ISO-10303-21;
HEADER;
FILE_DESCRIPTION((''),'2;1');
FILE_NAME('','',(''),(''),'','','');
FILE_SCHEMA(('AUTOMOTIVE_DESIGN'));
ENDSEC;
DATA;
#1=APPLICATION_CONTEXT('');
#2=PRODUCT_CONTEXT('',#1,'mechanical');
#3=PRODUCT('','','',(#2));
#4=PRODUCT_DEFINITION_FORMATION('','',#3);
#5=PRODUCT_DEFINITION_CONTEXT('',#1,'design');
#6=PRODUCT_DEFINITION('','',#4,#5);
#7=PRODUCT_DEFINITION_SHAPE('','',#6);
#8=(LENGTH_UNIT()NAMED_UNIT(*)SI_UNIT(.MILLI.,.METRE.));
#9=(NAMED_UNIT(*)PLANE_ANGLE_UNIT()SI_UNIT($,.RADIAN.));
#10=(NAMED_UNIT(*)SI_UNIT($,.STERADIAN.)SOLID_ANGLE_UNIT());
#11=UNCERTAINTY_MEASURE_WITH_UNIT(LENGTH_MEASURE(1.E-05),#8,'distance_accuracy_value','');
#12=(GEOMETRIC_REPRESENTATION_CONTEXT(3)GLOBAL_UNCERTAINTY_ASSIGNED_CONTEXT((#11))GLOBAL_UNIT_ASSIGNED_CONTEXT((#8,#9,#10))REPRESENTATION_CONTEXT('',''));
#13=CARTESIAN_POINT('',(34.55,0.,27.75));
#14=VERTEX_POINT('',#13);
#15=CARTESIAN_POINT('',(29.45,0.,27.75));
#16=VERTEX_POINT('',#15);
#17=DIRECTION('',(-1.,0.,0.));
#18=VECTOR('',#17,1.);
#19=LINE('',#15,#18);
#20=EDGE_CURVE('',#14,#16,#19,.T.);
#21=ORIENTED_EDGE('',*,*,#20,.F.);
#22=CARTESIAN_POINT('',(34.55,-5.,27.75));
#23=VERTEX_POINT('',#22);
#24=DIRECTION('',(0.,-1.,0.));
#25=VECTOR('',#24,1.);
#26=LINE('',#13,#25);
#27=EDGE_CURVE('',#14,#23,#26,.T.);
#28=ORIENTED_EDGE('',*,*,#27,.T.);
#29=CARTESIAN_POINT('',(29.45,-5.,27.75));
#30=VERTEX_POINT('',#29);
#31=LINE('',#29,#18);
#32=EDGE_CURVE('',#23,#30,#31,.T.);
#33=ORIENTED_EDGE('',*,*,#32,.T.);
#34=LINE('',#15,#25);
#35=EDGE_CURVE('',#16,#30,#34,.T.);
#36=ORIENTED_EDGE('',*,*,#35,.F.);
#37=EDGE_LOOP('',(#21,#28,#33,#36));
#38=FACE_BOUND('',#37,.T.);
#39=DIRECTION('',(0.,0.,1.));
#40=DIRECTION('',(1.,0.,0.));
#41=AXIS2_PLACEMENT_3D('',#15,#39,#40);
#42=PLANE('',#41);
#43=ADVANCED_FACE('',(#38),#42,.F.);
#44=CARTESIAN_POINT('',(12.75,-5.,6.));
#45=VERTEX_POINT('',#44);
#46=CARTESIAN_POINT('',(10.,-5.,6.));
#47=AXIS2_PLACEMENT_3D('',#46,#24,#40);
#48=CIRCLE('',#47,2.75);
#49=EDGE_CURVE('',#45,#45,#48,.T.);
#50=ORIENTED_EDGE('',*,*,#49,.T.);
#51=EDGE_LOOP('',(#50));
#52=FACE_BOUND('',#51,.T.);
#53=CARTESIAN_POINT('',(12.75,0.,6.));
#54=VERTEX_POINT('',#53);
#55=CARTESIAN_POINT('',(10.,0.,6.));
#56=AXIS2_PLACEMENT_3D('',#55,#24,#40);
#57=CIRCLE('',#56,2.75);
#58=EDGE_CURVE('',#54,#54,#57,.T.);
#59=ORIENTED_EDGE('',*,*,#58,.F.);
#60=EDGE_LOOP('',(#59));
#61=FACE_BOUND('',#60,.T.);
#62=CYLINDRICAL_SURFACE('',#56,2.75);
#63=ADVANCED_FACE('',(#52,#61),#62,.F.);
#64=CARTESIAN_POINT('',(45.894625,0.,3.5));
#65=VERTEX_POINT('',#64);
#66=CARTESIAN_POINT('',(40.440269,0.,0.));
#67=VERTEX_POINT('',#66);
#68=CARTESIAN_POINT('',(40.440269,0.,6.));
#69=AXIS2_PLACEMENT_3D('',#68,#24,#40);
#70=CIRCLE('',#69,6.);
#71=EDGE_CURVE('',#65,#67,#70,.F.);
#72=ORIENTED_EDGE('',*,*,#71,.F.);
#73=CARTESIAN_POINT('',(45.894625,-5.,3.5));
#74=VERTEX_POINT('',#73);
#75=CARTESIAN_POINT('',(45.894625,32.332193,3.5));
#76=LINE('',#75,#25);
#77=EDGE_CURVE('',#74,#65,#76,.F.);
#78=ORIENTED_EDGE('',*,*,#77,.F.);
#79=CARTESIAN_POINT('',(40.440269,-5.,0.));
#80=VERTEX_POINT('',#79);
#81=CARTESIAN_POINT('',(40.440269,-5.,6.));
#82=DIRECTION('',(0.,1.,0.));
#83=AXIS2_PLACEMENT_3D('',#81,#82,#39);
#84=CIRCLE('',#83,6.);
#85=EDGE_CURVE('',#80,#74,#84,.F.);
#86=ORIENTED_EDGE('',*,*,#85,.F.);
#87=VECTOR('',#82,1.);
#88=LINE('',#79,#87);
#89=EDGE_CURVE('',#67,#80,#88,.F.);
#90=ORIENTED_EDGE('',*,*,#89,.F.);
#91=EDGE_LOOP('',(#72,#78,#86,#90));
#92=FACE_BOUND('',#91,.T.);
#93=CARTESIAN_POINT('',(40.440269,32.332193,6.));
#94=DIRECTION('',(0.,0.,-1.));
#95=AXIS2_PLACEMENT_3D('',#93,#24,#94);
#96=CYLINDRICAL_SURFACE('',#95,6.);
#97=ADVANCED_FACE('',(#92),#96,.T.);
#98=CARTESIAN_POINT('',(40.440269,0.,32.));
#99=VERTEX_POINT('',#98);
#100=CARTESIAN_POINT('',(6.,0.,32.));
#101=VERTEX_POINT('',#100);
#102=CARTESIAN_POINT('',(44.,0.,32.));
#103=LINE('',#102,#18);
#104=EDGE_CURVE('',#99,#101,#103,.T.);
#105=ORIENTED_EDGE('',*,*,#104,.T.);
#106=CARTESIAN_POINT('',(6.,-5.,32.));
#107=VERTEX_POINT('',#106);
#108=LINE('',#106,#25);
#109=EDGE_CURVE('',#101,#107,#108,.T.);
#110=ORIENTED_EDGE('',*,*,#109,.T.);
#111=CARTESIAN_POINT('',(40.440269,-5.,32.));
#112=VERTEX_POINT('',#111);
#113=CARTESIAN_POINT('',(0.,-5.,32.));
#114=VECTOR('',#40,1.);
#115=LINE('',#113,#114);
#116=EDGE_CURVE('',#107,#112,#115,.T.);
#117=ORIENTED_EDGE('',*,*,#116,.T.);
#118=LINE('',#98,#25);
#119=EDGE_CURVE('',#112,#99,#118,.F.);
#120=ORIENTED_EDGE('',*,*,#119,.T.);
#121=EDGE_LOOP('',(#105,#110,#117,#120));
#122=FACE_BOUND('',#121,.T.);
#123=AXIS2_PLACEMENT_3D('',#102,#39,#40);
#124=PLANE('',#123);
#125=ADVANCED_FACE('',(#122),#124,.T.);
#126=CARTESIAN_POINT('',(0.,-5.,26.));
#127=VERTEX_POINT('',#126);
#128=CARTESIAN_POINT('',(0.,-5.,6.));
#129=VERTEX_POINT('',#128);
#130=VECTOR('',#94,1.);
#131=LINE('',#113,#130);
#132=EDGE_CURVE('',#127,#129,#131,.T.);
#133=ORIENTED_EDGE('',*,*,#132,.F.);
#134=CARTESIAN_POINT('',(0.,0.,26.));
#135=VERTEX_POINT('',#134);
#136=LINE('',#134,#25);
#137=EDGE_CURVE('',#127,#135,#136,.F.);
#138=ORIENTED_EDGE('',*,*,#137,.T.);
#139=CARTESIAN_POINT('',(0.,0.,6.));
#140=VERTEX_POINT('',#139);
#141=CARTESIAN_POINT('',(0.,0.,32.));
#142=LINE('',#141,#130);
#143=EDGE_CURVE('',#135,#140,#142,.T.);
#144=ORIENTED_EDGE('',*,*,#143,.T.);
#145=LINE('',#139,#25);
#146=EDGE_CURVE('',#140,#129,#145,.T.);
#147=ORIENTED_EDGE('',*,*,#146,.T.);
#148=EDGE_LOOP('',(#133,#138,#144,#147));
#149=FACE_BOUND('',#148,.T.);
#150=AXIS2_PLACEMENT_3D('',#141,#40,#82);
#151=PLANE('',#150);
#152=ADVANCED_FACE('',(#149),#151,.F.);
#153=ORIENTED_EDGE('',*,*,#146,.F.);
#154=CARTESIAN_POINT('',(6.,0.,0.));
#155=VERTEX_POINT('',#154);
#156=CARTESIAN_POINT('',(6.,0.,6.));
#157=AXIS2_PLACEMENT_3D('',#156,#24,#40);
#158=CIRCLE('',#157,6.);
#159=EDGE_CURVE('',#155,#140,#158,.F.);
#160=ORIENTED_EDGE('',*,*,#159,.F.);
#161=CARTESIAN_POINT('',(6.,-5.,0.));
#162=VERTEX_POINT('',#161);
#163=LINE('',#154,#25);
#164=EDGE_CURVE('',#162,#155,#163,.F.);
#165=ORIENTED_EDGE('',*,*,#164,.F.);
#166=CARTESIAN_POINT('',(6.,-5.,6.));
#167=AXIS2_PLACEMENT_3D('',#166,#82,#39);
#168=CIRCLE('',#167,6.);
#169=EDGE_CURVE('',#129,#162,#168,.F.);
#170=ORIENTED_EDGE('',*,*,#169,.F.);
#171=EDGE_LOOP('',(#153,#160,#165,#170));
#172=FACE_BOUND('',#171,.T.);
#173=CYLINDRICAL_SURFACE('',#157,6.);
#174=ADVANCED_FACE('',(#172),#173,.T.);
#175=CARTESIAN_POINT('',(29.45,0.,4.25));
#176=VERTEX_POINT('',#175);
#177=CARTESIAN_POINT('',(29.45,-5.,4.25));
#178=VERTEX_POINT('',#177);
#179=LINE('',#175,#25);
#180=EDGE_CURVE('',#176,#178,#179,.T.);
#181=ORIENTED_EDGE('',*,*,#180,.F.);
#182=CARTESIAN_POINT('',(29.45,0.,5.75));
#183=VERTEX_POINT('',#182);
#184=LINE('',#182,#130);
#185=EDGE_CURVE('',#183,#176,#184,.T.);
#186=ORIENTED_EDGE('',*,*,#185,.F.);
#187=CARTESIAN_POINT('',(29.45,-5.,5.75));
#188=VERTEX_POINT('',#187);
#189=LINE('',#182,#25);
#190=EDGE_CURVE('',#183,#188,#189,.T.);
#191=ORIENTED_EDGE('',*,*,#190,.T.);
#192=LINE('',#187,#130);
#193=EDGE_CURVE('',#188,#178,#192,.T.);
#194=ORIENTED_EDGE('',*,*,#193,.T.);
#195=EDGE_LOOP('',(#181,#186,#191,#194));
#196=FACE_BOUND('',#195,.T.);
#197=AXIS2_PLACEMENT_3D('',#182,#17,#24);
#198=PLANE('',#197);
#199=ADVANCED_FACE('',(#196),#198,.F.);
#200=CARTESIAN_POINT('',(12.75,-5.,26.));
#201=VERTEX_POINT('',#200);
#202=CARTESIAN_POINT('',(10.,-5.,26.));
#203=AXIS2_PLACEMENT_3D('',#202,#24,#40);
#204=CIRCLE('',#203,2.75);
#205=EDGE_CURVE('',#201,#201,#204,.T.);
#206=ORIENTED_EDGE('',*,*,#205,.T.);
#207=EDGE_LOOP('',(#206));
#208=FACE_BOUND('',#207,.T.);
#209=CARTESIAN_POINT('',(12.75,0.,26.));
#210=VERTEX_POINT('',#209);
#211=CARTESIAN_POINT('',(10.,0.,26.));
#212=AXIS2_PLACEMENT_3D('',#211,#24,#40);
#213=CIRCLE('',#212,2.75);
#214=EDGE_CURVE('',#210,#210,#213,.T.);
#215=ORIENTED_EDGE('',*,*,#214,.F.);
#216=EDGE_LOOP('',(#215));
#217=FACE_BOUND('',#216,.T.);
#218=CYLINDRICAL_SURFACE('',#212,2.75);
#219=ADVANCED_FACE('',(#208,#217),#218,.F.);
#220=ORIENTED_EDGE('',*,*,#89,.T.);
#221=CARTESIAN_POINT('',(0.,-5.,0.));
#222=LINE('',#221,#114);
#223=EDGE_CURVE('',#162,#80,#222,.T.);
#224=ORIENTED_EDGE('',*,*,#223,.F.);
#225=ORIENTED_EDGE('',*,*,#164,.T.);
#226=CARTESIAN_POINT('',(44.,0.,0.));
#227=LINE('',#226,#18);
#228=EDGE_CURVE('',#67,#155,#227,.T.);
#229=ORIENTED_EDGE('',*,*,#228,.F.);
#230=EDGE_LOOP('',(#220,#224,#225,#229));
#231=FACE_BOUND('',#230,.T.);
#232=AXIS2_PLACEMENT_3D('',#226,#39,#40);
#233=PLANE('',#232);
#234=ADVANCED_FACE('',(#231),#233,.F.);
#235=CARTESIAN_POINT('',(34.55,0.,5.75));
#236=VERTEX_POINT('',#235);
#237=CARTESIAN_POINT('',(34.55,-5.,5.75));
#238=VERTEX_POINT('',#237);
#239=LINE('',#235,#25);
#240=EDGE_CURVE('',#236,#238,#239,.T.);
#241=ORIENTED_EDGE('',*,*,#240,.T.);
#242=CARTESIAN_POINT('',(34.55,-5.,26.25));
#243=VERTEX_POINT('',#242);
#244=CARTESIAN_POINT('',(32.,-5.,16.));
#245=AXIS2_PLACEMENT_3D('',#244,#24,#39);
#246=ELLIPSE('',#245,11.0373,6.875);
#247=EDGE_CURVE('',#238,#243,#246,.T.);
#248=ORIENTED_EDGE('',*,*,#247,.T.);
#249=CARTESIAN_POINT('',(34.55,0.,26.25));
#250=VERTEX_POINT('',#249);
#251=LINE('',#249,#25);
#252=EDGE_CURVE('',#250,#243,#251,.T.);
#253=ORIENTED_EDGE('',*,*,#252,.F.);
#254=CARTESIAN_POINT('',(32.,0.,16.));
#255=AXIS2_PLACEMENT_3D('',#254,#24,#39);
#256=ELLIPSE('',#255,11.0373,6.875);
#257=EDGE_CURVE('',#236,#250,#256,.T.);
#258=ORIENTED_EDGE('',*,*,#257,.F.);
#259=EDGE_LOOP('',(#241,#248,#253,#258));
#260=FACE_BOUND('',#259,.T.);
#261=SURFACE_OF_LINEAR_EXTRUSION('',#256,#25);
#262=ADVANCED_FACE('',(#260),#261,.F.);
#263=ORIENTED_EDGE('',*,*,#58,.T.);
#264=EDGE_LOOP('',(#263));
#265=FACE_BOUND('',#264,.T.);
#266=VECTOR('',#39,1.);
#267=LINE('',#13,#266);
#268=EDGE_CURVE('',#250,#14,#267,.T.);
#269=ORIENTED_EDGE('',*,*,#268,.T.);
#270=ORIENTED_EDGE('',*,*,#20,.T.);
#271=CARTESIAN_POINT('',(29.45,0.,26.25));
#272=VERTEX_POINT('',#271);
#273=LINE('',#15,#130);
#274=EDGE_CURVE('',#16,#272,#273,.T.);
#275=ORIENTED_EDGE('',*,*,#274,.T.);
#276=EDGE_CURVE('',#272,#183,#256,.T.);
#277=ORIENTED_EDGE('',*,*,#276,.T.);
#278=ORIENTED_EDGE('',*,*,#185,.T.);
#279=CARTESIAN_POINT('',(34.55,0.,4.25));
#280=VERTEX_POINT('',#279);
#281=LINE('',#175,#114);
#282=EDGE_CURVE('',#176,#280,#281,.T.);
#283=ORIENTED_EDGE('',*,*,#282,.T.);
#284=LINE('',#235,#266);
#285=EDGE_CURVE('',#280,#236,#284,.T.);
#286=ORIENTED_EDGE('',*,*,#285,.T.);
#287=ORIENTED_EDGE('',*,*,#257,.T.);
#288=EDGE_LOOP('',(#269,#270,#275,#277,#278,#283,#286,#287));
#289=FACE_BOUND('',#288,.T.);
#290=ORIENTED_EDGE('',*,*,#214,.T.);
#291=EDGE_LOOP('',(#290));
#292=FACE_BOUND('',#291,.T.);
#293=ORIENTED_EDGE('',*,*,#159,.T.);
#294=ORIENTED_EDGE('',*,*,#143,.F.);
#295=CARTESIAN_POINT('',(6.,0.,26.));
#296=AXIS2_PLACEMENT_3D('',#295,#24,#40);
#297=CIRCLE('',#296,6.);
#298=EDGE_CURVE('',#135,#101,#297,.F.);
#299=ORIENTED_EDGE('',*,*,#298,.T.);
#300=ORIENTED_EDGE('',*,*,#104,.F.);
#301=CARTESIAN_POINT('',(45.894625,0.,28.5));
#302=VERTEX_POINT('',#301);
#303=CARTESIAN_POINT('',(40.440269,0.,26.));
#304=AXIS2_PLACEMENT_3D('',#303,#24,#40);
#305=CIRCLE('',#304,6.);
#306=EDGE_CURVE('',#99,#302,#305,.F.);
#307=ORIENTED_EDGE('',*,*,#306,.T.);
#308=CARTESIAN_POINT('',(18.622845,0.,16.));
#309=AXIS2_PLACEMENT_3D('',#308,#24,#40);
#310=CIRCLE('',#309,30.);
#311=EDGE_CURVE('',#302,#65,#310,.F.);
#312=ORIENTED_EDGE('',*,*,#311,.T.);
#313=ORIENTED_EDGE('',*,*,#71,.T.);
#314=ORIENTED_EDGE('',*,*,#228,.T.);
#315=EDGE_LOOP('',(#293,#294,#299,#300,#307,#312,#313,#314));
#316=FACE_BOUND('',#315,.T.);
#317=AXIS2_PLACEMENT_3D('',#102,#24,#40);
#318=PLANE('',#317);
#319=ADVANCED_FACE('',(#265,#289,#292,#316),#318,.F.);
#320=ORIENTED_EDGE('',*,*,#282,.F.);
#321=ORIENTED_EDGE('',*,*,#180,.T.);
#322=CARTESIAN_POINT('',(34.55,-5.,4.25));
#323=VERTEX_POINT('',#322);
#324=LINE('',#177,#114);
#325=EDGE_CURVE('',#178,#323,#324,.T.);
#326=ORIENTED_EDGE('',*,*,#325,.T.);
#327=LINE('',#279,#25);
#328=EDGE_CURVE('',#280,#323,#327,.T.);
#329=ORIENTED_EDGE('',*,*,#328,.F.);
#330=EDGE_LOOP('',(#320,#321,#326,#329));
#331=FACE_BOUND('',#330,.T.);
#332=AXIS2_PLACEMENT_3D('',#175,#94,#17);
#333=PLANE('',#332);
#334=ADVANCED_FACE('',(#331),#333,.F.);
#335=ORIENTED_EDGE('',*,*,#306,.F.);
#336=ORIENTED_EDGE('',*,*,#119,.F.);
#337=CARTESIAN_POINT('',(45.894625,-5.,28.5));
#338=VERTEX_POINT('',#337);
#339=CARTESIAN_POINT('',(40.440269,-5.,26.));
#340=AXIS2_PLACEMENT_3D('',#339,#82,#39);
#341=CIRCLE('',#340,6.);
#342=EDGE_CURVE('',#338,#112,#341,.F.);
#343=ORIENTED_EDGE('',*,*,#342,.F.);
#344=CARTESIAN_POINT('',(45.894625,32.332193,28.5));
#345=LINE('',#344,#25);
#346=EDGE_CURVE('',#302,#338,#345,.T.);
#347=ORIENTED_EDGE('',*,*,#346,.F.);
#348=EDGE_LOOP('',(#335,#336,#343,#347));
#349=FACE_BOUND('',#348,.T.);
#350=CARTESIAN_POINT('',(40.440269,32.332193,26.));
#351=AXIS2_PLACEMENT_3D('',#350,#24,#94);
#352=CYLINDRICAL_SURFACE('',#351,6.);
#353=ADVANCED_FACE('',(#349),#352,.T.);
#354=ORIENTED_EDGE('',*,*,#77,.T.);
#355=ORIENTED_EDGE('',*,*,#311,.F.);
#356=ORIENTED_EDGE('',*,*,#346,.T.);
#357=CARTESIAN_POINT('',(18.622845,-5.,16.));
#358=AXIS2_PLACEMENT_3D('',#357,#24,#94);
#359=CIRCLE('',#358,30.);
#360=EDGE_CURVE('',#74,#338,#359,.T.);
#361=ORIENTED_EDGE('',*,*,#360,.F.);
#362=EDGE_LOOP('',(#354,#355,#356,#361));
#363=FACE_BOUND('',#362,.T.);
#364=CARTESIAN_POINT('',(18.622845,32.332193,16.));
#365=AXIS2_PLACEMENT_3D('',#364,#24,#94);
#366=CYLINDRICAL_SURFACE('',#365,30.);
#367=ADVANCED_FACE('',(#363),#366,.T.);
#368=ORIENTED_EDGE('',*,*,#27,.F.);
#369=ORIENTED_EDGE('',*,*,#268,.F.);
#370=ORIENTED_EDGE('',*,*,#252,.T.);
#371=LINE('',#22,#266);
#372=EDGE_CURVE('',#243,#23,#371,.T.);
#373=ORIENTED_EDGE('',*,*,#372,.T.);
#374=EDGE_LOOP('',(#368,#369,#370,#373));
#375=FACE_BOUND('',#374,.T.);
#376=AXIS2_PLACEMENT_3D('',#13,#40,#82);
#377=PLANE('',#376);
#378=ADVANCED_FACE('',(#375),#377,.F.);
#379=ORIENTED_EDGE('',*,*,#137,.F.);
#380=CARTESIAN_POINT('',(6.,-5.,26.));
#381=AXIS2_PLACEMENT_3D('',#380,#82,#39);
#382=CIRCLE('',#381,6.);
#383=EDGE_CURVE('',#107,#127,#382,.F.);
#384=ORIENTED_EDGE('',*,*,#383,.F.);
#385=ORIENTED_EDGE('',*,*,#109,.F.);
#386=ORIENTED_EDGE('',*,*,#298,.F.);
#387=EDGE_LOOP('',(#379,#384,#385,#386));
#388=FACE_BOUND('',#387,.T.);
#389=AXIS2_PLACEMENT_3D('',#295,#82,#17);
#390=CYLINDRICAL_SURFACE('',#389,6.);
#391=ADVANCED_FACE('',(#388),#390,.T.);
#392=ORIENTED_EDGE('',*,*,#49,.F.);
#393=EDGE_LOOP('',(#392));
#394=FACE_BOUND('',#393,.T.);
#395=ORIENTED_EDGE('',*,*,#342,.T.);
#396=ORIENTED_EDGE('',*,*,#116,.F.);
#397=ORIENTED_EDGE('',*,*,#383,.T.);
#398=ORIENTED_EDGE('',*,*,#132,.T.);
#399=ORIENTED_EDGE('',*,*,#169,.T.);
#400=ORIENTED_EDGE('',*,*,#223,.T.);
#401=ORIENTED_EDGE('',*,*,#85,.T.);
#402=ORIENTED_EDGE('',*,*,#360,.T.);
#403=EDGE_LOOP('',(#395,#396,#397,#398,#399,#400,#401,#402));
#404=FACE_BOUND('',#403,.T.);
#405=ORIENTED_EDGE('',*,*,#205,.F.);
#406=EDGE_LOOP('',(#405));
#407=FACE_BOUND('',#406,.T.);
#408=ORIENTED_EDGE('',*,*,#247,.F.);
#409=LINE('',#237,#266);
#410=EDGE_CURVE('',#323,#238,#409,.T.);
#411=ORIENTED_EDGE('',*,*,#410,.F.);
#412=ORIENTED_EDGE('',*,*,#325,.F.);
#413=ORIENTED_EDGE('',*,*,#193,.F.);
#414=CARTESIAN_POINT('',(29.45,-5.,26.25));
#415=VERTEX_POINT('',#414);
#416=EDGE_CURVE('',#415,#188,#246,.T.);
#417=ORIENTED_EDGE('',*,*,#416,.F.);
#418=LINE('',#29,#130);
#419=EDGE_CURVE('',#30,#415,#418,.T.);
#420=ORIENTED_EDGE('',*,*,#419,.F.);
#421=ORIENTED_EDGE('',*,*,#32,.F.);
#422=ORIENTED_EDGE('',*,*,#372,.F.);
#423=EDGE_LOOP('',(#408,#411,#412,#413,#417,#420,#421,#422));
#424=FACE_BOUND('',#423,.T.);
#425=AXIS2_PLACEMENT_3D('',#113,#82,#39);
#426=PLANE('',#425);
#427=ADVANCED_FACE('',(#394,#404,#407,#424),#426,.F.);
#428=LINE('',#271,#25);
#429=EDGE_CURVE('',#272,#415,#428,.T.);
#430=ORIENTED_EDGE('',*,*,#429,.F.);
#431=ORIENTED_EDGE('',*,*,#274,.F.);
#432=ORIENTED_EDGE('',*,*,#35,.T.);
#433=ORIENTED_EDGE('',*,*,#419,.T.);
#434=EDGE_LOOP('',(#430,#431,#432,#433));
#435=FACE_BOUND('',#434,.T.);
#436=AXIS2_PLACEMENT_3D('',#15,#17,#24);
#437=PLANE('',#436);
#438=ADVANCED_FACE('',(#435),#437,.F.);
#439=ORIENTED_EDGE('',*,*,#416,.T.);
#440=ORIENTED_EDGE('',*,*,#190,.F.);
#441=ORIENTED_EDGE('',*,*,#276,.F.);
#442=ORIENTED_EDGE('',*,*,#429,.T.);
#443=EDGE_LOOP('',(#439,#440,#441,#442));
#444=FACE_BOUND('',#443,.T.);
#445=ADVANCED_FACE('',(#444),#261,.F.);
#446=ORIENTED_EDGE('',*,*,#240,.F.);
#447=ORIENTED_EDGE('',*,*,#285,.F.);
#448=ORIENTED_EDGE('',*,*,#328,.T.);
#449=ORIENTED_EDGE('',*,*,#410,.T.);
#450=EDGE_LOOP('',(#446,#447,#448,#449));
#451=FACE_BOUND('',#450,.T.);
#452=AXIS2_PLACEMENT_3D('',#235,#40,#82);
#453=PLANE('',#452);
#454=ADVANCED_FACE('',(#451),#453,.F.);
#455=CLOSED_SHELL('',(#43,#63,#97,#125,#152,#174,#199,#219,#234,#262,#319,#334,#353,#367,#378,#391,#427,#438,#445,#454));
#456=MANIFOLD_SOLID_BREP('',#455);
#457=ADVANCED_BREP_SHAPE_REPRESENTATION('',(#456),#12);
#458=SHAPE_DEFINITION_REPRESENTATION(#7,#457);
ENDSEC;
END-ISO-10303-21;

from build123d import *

# Parameters (mm, degrees)
SKETCH1_W           = 44
SKETCH1_H           = 5
BOSS_EXTRUDE1_DEPTH = 32
SKETCH2_R           = 2.75
CUT_EXTRUDE1_DEPTH  = 6
BOSS_EXTRUDE2_DEPTH = 5
FILLET1_R           = 6


with BuildPart() as part:
    # Sketch1 → Boss-Extrude1 (new body)
    with BuildSketch(Plane.XY):
        with Locations((22, -2.5)):
            Rectangle(SKETCH1_W, SKETCH1_H)
    extrude(amount=BOSS_EXTRUDE1_DEPTH)

    # Sketch2 → Cut-Extrude1 (cut, through all)
    with BuildSketch(Plane.XZ.offset(5)):
        with Locations((10, 26)):
            Circle(SKETCH2_R)
        with Locations((10, 6)):
            Circle(SKETCH2_R)
        with BuildLine():
            Line((29.45, 5.75), (29.45, 4.25))
            Line((29.45, 4.25), (34.55, 4.25))
            Line((34.55, 4.25), (34.55, 5.75))
            add(Edge.make_bspline(
                [(34.55, 5.75), (50.535539216, 16), (34.55, 26.25)],
                knots=[3.521580401, 3.521580401, 3.521580401, 5.90319756, 5.90319756, 5.90319756], degree=2, weights=[1, 0.370909091, 1]))
            Line((34.55, 26.25), (34.55, 27.75))
            Line((34.55, 27.75), (29.45, 27.75))
            Line((29.45, 27.75), (29.45, 26.25))
            add(Edge.make_bspline(
                [(29.45, 26.25), (13.464460784, 16), (29.45, 5.75)],
                knots=[0.379987747, 0.379987747, 0.379987747, 2.761604906, 2.761604906, 2.761604906], degree=2, weights=[1, 0.370909091, 1]))
        make_face()
    extrude(amount=-CUT_EXTRUDE1_DEPTH, mode=Mode.SUBTRACT)

    # Sketch3 → Boss-Extrude2 (add)
    with BuildSketch(Plane.XZ.offset(5)):
        with BuildLine():
            Line((44, 32), (44, 0))
            ThreePointArc((44, 0), (48.622844919, 16), (44, 32))
        make_face()
    extrude(amount=-BOSS_EXTRUDE2_DEPTH)

    # Fillet1
    fillet1_edges = [part.edges().sort_by_distance(p)[0] for p in [
        (0, -2.5, 32),
        (44, -2.5, 32),
        (0, -2.5, 0),
        (44, -2.5, 0),
    ]]
    fillet(fillet1_edges, radius=FILLET1_R)


solid = part.part
